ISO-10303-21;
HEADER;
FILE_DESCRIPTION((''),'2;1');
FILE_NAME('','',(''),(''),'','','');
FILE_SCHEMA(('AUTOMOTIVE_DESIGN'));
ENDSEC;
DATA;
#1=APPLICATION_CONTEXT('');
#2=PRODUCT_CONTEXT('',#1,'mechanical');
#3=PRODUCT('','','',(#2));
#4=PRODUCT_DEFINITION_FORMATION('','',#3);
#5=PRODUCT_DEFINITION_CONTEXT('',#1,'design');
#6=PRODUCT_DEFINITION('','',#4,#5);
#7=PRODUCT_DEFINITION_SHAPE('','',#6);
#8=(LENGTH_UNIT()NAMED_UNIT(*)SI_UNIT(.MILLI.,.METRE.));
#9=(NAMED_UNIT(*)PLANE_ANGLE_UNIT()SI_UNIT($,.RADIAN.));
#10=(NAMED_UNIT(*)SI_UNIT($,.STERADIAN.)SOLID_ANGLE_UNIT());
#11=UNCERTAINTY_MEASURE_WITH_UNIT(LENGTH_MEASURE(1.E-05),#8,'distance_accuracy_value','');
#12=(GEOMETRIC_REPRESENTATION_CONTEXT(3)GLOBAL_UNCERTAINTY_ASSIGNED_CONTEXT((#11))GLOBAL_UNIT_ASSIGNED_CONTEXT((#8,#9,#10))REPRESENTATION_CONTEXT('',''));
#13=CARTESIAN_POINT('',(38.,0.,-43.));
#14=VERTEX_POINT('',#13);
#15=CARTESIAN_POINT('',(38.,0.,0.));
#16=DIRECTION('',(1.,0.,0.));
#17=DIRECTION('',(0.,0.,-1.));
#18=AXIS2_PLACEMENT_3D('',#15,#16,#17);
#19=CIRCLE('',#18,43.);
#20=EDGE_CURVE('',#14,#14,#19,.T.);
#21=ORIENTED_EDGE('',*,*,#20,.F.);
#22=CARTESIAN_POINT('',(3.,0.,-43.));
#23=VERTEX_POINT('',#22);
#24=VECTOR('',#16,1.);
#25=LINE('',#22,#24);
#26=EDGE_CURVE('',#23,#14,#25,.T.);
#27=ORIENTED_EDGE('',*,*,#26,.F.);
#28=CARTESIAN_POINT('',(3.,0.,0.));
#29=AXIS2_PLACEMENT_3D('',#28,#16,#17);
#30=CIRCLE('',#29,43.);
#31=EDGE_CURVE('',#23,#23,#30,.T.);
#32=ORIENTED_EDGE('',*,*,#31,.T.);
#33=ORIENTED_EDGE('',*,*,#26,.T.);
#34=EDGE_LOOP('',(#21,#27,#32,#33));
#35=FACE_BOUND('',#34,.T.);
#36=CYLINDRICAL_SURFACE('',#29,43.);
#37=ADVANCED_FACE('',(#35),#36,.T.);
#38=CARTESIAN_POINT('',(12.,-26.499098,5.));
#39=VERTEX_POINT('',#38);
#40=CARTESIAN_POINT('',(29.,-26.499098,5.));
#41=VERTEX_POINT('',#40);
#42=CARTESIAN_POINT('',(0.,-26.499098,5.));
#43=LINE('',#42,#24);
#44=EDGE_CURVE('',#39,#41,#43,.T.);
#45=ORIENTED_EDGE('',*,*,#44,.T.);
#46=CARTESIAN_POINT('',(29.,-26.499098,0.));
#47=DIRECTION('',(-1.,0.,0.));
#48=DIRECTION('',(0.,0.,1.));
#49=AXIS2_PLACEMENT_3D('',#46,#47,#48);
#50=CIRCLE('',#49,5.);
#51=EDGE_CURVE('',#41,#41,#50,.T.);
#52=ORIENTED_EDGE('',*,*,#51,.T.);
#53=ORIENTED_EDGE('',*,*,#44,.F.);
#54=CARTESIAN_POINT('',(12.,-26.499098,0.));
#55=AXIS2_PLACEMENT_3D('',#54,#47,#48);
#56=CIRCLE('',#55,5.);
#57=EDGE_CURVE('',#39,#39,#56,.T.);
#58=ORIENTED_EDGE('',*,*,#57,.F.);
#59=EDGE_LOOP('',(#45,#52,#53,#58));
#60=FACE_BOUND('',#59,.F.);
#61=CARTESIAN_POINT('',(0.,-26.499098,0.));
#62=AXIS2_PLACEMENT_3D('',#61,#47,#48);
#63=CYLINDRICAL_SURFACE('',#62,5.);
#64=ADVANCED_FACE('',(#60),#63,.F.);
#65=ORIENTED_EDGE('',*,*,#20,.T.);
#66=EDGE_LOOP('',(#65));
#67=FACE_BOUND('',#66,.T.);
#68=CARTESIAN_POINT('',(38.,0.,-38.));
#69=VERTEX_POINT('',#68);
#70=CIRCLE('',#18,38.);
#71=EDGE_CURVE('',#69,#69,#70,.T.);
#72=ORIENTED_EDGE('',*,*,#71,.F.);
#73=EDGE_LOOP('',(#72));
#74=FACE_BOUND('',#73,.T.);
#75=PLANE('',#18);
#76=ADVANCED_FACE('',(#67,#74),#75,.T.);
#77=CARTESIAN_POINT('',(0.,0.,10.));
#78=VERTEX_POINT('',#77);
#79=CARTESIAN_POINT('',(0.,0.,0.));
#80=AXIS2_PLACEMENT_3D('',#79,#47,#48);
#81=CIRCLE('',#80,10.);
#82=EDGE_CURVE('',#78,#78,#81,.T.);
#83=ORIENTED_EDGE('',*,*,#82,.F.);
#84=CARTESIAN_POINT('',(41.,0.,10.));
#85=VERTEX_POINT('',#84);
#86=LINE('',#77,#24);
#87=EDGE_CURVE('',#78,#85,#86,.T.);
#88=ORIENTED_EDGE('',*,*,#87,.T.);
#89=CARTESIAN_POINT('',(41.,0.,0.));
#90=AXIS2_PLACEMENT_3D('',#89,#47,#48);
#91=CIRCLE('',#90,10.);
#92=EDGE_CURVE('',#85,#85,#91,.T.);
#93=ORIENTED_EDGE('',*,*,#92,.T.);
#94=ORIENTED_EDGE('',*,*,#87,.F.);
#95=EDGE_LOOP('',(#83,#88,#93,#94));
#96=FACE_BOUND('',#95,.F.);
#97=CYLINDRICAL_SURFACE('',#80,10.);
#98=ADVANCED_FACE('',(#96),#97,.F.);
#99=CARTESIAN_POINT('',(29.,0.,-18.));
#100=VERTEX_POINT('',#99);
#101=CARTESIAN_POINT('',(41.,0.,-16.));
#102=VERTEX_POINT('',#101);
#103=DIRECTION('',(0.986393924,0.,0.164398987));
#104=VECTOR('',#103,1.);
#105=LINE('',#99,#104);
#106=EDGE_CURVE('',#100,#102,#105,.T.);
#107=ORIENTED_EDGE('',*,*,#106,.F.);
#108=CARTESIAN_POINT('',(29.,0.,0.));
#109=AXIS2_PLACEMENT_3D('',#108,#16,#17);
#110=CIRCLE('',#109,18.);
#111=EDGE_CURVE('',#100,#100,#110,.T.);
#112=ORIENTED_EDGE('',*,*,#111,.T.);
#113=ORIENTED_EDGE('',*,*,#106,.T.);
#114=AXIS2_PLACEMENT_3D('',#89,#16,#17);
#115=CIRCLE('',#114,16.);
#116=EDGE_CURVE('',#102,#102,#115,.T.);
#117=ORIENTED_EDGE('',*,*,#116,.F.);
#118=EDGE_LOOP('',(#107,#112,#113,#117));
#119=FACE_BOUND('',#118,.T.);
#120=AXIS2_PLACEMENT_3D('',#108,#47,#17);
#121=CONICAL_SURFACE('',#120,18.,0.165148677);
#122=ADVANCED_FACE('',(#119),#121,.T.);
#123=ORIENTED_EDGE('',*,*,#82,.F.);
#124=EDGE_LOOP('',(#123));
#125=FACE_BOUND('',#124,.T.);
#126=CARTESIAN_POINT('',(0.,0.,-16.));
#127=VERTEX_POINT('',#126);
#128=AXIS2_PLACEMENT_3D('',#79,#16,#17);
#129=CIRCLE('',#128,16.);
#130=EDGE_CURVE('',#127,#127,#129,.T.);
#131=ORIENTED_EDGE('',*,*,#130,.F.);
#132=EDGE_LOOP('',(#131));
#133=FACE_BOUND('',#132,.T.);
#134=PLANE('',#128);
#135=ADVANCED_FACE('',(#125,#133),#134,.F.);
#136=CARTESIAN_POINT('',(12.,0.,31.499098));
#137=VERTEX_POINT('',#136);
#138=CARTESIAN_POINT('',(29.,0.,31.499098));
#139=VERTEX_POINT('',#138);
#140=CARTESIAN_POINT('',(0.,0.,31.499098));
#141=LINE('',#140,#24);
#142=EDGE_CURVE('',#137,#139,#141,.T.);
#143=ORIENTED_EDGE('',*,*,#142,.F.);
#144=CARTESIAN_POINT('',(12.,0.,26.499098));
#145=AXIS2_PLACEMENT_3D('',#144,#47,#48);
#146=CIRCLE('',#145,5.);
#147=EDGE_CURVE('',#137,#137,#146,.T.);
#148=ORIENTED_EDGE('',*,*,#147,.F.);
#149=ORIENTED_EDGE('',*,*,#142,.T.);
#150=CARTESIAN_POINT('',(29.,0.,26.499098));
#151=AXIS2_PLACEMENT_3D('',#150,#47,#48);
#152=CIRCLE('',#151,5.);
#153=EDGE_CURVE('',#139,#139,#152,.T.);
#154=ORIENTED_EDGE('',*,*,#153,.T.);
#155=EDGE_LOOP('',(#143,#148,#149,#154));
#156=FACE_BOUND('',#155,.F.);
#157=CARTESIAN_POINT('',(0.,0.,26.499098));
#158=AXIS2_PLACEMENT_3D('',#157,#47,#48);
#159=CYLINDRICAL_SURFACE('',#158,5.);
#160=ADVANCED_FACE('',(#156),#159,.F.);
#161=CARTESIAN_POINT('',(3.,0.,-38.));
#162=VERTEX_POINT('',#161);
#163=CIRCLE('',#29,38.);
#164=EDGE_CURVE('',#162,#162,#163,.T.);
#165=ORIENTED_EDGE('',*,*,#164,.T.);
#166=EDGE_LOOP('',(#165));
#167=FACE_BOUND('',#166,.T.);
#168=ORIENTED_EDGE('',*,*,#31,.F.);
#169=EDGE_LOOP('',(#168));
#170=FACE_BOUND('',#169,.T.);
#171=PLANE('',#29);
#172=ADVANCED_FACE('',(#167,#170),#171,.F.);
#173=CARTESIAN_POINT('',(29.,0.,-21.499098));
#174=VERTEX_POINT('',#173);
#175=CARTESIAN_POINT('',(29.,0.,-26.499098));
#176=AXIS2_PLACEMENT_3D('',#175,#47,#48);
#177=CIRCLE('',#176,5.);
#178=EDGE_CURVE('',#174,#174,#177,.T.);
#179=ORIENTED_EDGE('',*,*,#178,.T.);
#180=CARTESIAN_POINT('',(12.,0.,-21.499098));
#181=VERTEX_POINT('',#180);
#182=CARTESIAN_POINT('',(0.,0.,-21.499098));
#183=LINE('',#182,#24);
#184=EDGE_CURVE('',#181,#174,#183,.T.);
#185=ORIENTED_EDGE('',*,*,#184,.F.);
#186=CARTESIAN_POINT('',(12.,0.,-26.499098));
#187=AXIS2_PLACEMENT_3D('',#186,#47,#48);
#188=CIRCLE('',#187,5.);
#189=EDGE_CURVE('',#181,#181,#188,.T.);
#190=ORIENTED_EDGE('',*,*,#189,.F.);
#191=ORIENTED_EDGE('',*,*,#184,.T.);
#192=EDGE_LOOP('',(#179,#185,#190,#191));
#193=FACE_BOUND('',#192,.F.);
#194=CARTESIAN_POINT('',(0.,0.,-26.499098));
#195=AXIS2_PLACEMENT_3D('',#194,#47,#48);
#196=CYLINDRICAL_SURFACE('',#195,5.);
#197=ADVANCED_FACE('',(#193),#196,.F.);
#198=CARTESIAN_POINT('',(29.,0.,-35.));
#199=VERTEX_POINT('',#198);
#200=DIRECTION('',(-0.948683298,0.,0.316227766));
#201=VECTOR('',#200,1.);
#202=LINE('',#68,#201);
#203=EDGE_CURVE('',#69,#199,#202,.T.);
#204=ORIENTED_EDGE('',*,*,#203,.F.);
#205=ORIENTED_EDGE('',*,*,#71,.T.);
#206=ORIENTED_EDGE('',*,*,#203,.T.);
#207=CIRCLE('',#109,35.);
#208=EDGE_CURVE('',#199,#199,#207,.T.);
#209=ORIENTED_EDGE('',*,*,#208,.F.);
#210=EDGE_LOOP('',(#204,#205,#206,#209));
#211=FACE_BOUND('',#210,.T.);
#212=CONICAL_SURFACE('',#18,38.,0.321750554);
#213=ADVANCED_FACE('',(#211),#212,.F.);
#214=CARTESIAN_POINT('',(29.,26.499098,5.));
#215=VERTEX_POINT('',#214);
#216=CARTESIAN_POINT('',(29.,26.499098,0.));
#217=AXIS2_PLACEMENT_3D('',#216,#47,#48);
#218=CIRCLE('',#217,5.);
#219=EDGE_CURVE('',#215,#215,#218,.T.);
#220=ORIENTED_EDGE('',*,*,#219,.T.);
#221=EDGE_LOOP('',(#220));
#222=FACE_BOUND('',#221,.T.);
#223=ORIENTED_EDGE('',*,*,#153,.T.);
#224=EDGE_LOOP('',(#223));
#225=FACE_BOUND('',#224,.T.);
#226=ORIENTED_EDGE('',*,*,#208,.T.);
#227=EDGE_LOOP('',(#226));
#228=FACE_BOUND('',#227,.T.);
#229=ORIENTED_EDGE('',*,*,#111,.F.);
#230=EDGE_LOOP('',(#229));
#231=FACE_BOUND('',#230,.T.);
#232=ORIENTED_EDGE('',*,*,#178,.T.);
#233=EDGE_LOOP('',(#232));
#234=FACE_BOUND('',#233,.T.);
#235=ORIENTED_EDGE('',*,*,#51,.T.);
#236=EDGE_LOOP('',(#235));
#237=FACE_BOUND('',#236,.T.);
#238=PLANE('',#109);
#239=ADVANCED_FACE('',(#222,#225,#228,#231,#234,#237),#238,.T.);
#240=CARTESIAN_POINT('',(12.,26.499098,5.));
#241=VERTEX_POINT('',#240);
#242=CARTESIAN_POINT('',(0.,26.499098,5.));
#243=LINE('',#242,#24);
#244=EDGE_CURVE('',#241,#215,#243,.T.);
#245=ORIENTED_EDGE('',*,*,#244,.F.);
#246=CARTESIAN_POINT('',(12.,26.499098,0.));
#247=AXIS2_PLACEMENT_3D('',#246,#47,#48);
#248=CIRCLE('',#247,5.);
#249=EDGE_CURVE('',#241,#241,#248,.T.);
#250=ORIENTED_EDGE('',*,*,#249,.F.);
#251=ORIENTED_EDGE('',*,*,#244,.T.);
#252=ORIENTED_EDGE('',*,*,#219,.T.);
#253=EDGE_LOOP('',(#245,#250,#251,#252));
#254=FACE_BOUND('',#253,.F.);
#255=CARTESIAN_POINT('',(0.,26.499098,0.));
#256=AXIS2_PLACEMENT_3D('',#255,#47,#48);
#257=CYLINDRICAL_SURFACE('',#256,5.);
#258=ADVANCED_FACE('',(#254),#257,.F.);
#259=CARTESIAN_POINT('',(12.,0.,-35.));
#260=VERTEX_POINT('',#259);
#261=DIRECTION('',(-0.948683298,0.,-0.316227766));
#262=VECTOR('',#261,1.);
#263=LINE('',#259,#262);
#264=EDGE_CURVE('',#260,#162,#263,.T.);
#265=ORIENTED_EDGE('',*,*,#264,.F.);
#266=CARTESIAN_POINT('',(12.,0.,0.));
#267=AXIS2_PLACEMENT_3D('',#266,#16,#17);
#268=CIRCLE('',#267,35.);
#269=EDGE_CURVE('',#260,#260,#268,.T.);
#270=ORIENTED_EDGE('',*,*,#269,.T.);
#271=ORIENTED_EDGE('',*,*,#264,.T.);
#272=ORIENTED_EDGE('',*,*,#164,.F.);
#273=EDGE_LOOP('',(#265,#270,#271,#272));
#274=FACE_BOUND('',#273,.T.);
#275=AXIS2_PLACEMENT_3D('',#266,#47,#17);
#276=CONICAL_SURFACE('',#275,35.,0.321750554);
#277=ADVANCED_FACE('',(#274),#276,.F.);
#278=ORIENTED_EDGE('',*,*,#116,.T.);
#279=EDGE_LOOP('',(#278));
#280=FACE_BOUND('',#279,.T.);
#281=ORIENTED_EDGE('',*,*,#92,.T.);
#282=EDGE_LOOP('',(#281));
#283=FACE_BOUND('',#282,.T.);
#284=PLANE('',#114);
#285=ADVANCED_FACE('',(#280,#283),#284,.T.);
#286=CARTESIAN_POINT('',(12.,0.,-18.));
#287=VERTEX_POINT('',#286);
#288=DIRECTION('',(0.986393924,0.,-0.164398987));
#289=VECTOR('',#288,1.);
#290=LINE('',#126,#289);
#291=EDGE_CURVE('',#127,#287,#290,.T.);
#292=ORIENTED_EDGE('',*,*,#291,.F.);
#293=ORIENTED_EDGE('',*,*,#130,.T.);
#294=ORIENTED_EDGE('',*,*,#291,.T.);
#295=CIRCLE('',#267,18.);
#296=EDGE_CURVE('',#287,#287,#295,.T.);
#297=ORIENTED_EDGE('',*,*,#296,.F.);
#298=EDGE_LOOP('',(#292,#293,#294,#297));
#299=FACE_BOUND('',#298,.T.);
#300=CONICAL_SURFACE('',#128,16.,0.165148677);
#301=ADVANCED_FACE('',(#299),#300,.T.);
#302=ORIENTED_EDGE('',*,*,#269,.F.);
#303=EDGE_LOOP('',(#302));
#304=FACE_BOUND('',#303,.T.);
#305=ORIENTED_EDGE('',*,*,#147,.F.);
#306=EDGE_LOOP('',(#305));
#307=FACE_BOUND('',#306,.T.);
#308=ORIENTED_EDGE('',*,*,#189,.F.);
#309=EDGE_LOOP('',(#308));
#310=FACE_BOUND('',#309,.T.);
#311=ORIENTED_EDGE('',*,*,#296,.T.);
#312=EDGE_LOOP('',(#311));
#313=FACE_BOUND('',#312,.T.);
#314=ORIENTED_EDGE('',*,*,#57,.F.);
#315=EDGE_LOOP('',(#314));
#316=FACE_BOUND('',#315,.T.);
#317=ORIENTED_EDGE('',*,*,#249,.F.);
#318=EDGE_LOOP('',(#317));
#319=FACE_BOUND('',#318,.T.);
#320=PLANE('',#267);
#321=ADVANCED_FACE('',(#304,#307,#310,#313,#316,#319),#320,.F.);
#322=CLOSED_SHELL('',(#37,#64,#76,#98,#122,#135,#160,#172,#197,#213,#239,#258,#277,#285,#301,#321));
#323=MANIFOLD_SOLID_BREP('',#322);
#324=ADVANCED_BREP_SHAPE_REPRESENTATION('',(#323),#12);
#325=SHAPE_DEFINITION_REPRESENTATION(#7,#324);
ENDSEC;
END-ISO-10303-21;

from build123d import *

# Parameters (mm, degrees)
SKETCH3_R          = 5
CUT_EXTRUDE1_DEPTH = 42
SKETCH4_R          = 10
CUT_EXTRUDE2_DEPTH = 42


with BuildPart() as part:
    # Sketch1 → Revolve2 (revolve)
    with BuildSketch(Plane(origin=(0, 0, 0), x_dir=(1, 0, 0), z_dir=(0, 1, 0))):
        Polygon((0, 0), (0, 16), (12, 18), (12, 35), (3, 38), (3, 43), (38, 43), (38, 38), (29, 35), (29, 18), (41, 16), (41, 0), align=None)
    revolve(axis=Axis((0, 0, 0), (1, 0, 0)))

    # Sketch3 → Cut-Extrude1 (cut, through all)
    with BuildSketch(Plane.ZY):
        with Locations((0, 26.499097724)):
            Circle(SKETCH3_R)
        with Locations((26.499097724, 0)):
            Circle(SKETCH3_R)
        with Locations((0, -26.499097724)):
            Circle(SKETCH3_R)
        with Locations((-26.499097724, 0)):
            Circle(SKETCH3_R)
    extrude(amount=-CUT_EXTRUDE1_DEPTH, mode=Mode.SUBTRACT)

    # Sketch4 → Cut-Extrude2 (cut, through all)
    with BuildSketch(Plane.ZY):
        Circle(SKETCH4_R)
    extrude(amount=-CUT_EXTRUDE2_DEPTH, mode=Mode.SUBTRACT)


solid = part.part
